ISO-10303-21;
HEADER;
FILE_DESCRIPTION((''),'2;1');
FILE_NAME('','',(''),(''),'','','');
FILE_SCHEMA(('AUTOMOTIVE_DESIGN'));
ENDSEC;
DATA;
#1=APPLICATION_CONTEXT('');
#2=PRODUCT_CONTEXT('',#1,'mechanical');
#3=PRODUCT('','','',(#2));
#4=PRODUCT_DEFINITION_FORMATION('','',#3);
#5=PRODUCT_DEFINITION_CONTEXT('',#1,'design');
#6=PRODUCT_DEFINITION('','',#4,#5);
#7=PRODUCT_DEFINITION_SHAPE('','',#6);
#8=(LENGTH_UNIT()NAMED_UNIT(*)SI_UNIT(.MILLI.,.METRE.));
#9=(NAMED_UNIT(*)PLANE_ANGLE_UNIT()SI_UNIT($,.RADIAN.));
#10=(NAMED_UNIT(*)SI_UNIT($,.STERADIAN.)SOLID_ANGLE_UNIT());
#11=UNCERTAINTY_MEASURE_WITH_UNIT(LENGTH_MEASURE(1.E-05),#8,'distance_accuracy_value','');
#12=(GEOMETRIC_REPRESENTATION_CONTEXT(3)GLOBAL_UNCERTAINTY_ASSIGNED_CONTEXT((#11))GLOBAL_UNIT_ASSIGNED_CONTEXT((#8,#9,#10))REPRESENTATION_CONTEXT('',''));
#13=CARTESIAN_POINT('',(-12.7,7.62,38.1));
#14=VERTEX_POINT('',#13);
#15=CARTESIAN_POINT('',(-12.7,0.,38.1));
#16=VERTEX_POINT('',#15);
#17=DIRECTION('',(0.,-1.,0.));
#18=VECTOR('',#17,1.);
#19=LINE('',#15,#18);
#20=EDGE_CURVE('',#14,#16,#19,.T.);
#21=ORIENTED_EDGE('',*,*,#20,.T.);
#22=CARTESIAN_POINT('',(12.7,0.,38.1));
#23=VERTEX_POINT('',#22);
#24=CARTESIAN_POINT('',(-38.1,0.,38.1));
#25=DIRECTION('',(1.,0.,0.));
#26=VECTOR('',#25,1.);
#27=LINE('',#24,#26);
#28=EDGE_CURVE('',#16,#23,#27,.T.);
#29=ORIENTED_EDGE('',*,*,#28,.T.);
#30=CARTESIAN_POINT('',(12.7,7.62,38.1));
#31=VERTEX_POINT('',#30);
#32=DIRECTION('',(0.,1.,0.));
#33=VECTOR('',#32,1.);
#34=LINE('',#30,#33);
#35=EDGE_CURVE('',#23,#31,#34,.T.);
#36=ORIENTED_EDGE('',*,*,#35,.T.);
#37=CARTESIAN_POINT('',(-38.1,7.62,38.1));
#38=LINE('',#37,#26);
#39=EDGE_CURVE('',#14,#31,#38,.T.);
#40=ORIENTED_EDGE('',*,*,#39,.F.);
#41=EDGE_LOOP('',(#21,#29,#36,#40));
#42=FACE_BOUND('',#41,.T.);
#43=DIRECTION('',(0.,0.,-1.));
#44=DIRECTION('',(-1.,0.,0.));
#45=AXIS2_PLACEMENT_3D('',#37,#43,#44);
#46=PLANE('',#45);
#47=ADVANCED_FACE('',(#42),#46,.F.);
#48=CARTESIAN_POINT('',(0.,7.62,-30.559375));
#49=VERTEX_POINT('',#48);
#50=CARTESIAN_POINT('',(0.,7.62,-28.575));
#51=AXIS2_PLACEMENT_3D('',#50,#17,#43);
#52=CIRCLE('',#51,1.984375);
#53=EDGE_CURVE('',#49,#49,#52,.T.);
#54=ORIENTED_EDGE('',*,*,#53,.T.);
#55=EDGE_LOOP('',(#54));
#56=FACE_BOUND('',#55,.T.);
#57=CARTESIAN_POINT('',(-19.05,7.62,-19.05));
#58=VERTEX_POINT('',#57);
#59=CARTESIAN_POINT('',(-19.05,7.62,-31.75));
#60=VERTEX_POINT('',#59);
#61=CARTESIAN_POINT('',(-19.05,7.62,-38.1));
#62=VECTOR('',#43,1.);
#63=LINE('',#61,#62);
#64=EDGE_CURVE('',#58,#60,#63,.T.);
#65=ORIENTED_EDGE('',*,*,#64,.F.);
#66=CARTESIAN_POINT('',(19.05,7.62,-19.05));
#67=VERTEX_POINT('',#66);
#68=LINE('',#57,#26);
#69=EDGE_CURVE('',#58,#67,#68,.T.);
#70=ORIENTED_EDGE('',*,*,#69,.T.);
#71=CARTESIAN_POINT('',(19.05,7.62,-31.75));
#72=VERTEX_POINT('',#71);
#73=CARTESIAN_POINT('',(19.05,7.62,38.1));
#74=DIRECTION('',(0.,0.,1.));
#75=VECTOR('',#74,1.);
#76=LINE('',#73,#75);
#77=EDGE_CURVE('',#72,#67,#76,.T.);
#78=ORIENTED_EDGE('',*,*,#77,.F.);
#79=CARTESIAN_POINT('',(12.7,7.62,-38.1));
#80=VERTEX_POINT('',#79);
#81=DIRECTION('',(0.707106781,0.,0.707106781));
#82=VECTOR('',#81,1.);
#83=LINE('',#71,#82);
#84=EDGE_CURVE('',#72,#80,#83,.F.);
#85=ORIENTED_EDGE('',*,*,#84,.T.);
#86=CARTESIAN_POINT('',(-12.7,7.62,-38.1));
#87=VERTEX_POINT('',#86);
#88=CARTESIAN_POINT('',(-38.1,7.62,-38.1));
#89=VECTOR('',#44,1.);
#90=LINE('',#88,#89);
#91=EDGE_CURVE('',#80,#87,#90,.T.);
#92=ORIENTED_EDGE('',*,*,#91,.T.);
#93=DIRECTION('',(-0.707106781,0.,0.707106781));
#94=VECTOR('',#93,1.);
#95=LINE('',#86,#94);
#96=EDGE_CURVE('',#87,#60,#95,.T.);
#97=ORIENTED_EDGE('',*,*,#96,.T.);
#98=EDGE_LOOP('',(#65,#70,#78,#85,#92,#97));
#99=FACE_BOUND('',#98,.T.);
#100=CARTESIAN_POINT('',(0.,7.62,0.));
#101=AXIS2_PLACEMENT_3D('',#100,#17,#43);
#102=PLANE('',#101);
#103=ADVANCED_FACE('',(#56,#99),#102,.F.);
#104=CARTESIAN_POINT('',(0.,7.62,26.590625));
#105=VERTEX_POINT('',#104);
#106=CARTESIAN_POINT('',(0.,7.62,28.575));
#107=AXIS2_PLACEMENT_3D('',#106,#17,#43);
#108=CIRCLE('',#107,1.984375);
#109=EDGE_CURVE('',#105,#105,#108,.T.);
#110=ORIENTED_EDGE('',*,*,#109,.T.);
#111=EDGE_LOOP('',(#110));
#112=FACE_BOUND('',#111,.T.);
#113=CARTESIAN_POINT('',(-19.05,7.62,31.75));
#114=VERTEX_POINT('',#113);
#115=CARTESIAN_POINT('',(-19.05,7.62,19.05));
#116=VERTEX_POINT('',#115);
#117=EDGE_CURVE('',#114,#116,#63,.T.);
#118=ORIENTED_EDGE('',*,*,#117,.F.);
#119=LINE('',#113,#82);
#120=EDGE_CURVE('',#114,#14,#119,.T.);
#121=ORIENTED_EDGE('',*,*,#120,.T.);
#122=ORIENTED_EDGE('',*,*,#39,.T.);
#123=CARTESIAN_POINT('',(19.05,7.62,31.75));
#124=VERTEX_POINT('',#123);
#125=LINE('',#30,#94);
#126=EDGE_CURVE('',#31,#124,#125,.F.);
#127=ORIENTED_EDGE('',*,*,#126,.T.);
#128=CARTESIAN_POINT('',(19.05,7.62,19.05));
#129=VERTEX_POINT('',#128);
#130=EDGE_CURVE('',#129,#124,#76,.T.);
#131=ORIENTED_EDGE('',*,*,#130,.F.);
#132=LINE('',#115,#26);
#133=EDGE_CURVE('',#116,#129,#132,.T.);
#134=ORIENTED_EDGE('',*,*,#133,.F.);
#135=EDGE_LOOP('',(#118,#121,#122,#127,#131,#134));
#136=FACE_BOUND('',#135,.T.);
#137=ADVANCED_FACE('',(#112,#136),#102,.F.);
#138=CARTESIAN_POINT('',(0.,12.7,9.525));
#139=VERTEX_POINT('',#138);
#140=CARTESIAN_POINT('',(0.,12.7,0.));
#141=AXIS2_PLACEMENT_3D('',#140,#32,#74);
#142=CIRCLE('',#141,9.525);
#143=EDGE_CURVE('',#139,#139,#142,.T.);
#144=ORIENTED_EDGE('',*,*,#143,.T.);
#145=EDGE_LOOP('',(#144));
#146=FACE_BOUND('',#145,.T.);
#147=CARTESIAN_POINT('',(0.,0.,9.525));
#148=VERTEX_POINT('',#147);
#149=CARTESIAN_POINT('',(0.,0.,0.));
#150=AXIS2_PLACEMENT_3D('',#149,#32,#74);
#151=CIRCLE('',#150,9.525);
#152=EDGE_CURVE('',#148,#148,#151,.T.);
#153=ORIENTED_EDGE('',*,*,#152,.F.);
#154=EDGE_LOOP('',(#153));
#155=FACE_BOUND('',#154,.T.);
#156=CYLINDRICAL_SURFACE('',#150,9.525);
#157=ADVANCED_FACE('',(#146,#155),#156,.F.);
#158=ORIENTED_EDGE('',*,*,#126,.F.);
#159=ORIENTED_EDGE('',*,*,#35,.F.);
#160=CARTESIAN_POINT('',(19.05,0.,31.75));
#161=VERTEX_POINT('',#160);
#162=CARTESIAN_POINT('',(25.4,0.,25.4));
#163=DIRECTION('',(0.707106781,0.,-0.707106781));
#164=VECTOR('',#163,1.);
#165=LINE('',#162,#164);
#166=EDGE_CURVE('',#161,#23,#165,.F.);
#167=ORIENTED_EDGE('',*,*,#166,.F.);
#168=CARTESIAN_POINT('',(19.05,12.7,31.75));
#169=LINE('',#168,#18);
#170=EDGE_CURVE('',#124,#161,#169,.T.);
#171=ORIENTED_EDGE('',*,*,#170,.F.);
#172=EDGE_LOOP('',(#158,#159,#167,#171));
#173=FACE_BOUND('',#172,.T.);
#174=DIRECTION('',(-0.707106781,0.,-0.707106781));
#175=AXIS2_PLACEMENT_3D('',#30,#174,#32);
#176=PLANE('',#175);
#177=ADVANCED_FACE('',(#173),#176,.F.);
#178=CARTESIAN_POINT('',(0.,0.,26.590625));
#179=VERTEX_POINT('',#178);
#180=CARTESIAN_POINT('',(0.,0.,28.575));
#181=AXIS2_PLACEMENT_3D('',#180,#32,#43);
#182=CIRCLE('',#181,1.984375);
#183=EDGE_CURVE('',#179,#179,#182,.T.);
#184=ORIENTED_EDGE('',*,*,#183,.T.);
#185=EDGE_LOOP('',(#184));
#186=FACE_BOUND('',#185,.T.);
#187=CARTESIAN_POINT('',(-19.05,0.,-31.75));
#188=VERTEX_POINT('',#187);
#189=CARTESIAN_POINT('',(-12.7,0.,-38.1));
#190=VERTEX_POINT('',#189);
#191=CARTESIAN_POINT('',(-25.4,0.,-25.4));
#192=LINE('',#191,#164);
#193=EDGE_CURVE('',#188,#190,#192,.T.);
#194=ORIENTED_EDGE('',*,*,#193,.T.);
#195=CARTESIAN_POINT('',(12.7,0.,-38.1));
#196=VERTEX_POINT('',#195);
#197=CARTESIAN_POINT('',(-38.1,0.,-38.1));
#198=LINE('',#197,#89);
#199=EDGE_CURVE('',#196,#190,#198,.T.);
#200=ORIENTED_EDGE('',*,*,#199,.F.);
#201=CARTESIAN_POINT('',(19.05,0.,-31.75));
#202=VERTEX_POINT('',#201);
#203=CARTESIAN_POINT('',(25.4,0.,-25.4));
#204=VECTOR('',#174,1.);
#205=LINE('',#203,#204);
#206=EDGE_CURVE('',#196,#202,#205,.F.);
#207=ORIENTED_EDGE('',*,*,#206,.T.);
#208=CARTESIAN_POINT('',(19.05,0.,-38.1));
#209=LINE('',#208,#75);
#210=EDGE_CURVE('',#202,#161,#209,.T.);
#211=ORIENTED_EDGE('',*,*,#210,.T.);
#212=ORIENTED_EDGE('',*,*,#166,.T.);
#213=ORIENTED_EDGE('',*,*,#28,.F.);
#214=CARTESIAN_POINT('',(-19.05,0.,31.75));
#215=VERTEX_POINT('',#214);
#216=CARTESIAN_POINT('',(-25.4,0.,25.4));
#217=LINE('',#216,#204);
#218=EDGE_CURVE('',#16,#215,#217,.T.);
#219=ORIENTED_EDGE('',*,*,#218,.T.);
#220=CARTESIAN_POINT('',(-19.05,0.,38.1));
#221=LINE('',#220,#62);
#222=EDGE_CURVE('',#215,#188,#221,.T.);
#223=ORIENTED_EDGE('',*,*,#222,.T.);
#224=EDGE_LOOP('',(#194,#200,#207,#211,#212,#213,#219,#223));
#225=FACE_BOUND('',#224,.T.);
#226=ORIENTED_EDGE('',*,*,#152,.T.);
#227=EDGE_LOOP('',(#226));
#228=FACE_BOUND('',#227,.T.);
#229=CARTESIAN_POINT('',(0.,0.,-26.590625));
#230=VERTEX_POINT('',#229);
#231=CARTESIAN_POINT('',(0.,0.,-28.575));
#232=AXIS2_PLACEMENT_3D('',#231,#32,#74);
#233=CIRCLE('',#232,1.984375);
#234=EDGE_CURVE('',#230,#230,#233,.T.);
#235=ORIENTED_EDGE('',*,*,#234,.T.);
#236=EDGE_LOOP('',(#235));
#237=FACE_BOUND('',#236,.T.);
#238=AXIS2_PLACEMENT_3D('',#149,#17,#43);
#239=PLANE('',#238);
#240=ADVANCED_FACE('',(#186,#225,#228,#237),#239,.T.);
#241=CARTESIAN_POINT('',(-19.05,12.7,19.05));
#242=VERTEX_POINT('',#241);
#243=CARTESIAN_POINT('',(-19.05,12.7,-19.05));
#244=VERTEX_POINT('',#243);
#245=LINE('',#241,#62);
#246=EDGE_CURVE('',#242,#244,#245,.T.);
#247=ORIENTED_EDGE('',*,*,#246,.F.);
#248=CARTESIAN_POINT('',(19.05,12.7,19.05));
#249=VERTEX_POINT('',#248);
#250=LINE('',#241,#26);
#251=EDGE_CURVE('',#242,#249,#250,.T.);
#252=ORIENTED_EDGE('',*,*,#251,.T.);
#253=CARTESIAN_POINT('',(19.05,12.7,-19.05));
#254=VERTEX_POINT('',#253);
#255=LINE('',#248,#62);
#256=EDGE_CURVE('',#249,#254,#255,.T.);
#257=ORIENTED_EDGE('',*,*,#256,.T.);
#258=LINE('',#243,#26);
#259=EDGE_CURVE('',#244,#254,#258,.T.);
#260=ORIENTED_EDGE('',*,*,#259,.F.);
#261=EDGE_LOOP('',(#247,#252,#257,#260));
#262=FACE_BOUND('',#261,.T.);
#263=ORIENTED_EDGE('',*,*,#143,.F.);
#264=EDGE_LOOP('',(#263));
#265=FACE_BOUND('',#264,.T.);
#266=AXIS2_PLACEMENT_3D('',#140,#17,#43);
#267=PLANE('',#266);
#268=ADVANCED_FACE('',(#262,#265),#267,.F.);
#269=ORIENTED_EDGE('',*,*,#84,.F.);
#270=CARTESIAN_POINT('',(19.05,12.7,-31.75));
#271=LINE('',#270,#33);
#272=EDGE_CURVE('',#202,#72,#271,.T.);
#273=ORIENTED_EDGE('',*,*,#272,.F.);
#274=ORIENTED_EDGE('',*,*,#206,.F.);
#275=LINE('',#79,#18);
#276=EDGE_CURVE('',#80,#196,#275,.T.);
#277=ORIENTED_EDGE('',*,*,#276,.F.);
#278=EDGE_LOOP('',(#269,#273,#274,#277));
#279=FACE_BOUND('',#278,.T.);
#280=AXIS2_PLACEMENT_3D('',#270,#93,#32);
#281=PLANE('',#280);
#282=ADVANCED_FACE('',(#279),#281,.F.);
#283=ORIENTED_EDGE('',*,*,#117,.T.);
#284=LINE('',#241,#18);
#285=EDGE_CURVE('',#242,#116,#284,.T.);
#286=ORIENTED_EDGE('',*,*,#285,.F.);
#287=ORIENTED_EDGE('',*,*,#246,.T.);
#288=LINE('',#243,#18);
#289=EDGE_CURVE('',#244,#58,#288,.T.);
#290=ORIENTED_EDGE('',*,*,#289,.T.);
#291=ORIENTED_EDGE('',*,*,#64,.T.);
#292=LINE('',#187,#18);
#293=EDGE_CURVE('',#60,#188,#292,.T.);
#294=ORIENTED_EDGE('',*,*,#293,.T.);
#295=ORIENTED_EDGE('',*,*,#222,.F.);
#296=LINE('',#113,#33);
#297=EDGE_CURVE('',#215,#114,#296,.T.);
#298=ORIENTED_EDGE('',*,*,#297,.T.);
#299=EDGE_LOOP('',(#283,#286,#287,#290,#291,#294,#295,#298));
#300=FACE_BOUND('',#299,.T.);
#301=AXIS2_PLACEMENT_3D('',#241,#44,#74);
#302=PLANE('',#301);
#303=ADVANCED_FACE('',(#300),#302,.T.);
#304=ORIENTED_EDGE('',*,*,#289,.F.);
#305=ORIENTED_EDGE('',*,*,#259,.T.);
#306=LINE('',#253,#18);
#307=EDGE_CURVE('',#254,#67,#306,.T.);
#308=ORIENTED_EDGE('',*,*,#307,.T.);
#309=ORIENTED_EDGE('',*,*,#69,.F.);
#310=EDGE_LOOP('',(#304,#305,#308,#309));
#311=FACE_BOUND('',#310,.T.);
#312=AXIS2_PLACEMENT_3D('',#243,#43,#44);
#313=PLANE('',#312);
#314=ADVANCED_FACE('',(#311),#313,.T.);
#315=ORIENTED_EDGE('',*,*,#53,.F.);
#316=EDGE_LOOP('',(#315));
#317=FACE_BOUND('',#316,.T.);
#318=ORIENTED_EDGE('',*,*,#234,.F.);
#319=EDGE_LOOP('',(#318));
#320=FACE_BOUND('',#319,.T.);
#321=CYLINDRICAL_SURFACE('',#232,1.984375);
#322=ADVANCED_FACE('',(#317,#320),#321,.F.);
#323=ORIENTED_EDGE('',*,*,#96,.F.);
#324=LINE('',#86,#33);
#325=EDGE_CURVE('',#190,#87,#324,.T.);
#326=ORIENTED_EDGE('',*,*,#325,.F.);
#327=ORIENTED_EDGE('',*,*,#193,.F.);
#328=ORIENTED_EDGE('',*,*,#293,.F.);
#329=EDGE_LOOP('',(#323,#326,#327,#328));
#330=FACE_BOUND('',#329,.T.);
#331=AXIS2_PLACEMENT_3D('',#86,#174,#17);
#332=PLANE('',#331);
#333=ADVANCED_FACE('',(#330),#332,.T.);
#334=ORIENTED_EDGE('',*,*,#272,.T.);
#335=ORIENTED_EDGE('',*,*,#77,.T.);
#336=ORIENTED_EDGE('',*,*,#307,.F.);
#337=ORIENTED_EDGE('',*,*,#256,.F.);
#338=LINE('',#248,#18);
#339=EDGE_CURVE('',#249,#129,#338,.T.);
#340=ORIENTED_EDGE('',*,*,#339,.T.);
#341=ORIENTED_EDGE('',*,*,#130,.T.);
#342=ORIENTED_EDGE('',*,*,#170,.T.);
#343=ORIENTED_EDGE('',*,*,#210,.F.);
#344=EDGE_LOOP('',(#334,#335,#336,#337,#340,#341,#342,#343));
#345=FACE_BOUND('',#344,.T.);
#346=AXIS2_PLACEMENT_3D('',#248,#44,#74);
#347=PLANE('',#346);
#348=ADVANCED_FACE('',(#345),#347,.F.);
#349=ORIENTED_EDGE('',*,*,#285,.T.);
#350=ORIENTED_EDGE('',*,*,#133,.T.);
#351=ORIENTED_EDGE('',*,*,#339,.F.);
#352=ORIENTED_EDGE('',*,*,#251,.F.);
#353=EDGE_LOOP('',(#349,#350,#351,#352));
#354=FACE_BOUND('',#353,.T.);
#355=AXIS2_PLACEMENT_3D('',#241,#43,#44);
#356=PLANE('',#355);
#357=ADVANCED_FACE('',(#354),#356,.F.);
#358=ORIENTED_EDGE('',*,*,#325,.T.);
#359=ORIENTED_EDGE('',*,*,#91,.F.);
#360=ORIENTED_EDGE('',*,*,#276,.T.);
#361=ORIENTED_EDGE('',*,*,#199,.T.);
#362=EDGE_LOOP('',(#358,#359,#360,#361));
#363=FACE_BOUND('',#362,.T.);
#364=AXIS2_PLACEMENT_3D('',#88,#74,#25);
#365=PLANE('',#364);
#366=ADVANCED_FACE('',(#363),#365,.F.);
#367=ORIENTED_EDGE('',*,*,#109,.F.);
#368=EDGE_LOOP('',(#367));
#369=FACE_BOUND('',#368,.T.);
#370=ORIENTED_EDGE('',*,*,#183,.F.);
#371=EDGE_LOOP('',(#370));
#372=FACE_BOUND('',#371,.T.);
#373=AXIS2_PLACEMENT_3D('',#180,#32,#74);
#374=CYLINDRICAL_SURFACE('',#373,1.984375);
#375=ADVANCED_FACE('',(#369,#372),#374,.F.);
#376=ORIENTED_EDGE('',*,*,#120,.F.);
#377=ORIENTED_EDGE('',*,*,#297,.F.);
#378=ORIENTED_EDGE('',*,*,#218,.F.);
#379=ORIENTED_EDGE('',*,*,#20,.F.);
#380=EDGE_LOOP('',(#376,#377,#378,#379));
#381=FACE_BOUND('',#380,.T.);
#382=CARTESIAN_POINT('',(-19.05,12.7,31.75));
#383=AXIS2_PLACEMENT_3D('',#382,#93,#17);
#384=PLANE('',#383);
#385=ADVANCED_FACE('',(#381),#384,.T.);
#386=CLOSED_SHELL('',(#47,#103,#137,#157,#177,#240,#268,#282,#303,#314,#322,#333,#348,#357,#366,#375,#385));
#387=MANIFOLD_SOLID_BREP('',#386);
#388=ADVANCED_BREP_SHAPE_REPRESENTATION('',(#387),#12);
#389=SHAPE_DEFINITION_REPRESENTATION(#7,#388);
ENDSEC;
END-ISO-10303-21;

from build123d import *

# Parameters (mm, degrees)
SKETCH1_W           = 76.2
SKETCH1_H           = 76.2
BOSS_EXTRUDE1_DEPTH = 7.62
SKETCH2_W           = 38.1
SKETCH2_H           = 38.1
BOSS_EXTRUDE2_DEPTH = 5.08
SKETCH3_R           = 9.525
CUT_EXTRUDE1_DEPTH  = 13.7
SKETCH4_R           = 1.984375
CUT_EXTRUDE2_DEPTH  = 13.7
CUT_EXTRUDE3_DEPTH  = 8.62
CHAMFER1_SIZE       = 6.35


with BuildPart() as part:
    # Sketch1 → Boss-Extrude1 (new body)
    with BuildSketch(Plane(origin=(0, 0, 0), x_dir=(1, 0, 0), z_dir=(0, 1, 0))):
        Rectangle(SKETCH1_W, SKETCH1_H)
    extrude(amount=BOSS_EXTRUDE1_DEPTH)

    # Sketch2 → Boss-Extrude2 (add)
    with BuildSketch(Plane(origin=(0, 7.62, 0), x_dir=(1, 0, 0), z_dir=(0, 1, 0))):
        Rectangle(SKETCH2_W, SKETCH2_H)
    extrude(amount=BOSS_EXTRUDE2_DEPTH)

    # Sketch3 → Cut-Extrude1 (cut, through all)
    with BuildSketch(Plane(origin=(0, 12.7, 0), x_dir=(1, 0, 0), z_dir=(0, 1, 0))):
        Circle(SKETCH3_R)
    extrude(amount=-CUT_EXTRUDE1_DEPTH, mode=Mode.SUBTRACT)

    # Sketch4 → Cut-Extrude2 (cut, through all)
    with BuildSketch(Plane(origin=(0, 12.7, 0), x_dir=(1, 0, 0), z_dir=(0, 1, 0))):
        with Locations((0, 28.575)):
            Circle(SKETCH4_R)
        with Locations((0, -28.575)):
            Circle(SKETCH4_R)
    extrude(amount=-CUT_EXTRUDE2_DEPTH, mode=Mode.SUBTRACT)

    # Sketch5 → Cut-Extrude3 (cut, through all)
    with BuildSketch(Plane(origin=(0, 7.62, 0), x_dir=(1, 0, 0), z_dir=(0, 1, 0))):
        Polygon((-38.1, -38.1), (-19.05, -38.1), (-19.05, 19.05), (-19.05, 38.1), (-38.1, 38.1), (-38.1, 19.05), align=None)
        Polygon((19.05, 38.1), (19.05, 19.05), (19.05, -38.1), (38.1, -38.1), (38.1, 19.05), (38.1, 38.1), align=None)
    extrude(amount=-CUT_EXTRUDE3_DEPTH, mode=Mode.SUBTRACT)

    # Chamfer1
    chamfer1_edges = [part.edges().sort_by_distance(p)[0] for p in [
        (-19.05, 3.81, -38.1),
        (-19.05, 3.81, 38.1),
        (19.05, 3.81, -38.1),
        (19.05, 3.81, 38.1),
    ]]
    chamfer(chamfer1_edges, length=CHAMFER1_SIZE)


solid = part.part
